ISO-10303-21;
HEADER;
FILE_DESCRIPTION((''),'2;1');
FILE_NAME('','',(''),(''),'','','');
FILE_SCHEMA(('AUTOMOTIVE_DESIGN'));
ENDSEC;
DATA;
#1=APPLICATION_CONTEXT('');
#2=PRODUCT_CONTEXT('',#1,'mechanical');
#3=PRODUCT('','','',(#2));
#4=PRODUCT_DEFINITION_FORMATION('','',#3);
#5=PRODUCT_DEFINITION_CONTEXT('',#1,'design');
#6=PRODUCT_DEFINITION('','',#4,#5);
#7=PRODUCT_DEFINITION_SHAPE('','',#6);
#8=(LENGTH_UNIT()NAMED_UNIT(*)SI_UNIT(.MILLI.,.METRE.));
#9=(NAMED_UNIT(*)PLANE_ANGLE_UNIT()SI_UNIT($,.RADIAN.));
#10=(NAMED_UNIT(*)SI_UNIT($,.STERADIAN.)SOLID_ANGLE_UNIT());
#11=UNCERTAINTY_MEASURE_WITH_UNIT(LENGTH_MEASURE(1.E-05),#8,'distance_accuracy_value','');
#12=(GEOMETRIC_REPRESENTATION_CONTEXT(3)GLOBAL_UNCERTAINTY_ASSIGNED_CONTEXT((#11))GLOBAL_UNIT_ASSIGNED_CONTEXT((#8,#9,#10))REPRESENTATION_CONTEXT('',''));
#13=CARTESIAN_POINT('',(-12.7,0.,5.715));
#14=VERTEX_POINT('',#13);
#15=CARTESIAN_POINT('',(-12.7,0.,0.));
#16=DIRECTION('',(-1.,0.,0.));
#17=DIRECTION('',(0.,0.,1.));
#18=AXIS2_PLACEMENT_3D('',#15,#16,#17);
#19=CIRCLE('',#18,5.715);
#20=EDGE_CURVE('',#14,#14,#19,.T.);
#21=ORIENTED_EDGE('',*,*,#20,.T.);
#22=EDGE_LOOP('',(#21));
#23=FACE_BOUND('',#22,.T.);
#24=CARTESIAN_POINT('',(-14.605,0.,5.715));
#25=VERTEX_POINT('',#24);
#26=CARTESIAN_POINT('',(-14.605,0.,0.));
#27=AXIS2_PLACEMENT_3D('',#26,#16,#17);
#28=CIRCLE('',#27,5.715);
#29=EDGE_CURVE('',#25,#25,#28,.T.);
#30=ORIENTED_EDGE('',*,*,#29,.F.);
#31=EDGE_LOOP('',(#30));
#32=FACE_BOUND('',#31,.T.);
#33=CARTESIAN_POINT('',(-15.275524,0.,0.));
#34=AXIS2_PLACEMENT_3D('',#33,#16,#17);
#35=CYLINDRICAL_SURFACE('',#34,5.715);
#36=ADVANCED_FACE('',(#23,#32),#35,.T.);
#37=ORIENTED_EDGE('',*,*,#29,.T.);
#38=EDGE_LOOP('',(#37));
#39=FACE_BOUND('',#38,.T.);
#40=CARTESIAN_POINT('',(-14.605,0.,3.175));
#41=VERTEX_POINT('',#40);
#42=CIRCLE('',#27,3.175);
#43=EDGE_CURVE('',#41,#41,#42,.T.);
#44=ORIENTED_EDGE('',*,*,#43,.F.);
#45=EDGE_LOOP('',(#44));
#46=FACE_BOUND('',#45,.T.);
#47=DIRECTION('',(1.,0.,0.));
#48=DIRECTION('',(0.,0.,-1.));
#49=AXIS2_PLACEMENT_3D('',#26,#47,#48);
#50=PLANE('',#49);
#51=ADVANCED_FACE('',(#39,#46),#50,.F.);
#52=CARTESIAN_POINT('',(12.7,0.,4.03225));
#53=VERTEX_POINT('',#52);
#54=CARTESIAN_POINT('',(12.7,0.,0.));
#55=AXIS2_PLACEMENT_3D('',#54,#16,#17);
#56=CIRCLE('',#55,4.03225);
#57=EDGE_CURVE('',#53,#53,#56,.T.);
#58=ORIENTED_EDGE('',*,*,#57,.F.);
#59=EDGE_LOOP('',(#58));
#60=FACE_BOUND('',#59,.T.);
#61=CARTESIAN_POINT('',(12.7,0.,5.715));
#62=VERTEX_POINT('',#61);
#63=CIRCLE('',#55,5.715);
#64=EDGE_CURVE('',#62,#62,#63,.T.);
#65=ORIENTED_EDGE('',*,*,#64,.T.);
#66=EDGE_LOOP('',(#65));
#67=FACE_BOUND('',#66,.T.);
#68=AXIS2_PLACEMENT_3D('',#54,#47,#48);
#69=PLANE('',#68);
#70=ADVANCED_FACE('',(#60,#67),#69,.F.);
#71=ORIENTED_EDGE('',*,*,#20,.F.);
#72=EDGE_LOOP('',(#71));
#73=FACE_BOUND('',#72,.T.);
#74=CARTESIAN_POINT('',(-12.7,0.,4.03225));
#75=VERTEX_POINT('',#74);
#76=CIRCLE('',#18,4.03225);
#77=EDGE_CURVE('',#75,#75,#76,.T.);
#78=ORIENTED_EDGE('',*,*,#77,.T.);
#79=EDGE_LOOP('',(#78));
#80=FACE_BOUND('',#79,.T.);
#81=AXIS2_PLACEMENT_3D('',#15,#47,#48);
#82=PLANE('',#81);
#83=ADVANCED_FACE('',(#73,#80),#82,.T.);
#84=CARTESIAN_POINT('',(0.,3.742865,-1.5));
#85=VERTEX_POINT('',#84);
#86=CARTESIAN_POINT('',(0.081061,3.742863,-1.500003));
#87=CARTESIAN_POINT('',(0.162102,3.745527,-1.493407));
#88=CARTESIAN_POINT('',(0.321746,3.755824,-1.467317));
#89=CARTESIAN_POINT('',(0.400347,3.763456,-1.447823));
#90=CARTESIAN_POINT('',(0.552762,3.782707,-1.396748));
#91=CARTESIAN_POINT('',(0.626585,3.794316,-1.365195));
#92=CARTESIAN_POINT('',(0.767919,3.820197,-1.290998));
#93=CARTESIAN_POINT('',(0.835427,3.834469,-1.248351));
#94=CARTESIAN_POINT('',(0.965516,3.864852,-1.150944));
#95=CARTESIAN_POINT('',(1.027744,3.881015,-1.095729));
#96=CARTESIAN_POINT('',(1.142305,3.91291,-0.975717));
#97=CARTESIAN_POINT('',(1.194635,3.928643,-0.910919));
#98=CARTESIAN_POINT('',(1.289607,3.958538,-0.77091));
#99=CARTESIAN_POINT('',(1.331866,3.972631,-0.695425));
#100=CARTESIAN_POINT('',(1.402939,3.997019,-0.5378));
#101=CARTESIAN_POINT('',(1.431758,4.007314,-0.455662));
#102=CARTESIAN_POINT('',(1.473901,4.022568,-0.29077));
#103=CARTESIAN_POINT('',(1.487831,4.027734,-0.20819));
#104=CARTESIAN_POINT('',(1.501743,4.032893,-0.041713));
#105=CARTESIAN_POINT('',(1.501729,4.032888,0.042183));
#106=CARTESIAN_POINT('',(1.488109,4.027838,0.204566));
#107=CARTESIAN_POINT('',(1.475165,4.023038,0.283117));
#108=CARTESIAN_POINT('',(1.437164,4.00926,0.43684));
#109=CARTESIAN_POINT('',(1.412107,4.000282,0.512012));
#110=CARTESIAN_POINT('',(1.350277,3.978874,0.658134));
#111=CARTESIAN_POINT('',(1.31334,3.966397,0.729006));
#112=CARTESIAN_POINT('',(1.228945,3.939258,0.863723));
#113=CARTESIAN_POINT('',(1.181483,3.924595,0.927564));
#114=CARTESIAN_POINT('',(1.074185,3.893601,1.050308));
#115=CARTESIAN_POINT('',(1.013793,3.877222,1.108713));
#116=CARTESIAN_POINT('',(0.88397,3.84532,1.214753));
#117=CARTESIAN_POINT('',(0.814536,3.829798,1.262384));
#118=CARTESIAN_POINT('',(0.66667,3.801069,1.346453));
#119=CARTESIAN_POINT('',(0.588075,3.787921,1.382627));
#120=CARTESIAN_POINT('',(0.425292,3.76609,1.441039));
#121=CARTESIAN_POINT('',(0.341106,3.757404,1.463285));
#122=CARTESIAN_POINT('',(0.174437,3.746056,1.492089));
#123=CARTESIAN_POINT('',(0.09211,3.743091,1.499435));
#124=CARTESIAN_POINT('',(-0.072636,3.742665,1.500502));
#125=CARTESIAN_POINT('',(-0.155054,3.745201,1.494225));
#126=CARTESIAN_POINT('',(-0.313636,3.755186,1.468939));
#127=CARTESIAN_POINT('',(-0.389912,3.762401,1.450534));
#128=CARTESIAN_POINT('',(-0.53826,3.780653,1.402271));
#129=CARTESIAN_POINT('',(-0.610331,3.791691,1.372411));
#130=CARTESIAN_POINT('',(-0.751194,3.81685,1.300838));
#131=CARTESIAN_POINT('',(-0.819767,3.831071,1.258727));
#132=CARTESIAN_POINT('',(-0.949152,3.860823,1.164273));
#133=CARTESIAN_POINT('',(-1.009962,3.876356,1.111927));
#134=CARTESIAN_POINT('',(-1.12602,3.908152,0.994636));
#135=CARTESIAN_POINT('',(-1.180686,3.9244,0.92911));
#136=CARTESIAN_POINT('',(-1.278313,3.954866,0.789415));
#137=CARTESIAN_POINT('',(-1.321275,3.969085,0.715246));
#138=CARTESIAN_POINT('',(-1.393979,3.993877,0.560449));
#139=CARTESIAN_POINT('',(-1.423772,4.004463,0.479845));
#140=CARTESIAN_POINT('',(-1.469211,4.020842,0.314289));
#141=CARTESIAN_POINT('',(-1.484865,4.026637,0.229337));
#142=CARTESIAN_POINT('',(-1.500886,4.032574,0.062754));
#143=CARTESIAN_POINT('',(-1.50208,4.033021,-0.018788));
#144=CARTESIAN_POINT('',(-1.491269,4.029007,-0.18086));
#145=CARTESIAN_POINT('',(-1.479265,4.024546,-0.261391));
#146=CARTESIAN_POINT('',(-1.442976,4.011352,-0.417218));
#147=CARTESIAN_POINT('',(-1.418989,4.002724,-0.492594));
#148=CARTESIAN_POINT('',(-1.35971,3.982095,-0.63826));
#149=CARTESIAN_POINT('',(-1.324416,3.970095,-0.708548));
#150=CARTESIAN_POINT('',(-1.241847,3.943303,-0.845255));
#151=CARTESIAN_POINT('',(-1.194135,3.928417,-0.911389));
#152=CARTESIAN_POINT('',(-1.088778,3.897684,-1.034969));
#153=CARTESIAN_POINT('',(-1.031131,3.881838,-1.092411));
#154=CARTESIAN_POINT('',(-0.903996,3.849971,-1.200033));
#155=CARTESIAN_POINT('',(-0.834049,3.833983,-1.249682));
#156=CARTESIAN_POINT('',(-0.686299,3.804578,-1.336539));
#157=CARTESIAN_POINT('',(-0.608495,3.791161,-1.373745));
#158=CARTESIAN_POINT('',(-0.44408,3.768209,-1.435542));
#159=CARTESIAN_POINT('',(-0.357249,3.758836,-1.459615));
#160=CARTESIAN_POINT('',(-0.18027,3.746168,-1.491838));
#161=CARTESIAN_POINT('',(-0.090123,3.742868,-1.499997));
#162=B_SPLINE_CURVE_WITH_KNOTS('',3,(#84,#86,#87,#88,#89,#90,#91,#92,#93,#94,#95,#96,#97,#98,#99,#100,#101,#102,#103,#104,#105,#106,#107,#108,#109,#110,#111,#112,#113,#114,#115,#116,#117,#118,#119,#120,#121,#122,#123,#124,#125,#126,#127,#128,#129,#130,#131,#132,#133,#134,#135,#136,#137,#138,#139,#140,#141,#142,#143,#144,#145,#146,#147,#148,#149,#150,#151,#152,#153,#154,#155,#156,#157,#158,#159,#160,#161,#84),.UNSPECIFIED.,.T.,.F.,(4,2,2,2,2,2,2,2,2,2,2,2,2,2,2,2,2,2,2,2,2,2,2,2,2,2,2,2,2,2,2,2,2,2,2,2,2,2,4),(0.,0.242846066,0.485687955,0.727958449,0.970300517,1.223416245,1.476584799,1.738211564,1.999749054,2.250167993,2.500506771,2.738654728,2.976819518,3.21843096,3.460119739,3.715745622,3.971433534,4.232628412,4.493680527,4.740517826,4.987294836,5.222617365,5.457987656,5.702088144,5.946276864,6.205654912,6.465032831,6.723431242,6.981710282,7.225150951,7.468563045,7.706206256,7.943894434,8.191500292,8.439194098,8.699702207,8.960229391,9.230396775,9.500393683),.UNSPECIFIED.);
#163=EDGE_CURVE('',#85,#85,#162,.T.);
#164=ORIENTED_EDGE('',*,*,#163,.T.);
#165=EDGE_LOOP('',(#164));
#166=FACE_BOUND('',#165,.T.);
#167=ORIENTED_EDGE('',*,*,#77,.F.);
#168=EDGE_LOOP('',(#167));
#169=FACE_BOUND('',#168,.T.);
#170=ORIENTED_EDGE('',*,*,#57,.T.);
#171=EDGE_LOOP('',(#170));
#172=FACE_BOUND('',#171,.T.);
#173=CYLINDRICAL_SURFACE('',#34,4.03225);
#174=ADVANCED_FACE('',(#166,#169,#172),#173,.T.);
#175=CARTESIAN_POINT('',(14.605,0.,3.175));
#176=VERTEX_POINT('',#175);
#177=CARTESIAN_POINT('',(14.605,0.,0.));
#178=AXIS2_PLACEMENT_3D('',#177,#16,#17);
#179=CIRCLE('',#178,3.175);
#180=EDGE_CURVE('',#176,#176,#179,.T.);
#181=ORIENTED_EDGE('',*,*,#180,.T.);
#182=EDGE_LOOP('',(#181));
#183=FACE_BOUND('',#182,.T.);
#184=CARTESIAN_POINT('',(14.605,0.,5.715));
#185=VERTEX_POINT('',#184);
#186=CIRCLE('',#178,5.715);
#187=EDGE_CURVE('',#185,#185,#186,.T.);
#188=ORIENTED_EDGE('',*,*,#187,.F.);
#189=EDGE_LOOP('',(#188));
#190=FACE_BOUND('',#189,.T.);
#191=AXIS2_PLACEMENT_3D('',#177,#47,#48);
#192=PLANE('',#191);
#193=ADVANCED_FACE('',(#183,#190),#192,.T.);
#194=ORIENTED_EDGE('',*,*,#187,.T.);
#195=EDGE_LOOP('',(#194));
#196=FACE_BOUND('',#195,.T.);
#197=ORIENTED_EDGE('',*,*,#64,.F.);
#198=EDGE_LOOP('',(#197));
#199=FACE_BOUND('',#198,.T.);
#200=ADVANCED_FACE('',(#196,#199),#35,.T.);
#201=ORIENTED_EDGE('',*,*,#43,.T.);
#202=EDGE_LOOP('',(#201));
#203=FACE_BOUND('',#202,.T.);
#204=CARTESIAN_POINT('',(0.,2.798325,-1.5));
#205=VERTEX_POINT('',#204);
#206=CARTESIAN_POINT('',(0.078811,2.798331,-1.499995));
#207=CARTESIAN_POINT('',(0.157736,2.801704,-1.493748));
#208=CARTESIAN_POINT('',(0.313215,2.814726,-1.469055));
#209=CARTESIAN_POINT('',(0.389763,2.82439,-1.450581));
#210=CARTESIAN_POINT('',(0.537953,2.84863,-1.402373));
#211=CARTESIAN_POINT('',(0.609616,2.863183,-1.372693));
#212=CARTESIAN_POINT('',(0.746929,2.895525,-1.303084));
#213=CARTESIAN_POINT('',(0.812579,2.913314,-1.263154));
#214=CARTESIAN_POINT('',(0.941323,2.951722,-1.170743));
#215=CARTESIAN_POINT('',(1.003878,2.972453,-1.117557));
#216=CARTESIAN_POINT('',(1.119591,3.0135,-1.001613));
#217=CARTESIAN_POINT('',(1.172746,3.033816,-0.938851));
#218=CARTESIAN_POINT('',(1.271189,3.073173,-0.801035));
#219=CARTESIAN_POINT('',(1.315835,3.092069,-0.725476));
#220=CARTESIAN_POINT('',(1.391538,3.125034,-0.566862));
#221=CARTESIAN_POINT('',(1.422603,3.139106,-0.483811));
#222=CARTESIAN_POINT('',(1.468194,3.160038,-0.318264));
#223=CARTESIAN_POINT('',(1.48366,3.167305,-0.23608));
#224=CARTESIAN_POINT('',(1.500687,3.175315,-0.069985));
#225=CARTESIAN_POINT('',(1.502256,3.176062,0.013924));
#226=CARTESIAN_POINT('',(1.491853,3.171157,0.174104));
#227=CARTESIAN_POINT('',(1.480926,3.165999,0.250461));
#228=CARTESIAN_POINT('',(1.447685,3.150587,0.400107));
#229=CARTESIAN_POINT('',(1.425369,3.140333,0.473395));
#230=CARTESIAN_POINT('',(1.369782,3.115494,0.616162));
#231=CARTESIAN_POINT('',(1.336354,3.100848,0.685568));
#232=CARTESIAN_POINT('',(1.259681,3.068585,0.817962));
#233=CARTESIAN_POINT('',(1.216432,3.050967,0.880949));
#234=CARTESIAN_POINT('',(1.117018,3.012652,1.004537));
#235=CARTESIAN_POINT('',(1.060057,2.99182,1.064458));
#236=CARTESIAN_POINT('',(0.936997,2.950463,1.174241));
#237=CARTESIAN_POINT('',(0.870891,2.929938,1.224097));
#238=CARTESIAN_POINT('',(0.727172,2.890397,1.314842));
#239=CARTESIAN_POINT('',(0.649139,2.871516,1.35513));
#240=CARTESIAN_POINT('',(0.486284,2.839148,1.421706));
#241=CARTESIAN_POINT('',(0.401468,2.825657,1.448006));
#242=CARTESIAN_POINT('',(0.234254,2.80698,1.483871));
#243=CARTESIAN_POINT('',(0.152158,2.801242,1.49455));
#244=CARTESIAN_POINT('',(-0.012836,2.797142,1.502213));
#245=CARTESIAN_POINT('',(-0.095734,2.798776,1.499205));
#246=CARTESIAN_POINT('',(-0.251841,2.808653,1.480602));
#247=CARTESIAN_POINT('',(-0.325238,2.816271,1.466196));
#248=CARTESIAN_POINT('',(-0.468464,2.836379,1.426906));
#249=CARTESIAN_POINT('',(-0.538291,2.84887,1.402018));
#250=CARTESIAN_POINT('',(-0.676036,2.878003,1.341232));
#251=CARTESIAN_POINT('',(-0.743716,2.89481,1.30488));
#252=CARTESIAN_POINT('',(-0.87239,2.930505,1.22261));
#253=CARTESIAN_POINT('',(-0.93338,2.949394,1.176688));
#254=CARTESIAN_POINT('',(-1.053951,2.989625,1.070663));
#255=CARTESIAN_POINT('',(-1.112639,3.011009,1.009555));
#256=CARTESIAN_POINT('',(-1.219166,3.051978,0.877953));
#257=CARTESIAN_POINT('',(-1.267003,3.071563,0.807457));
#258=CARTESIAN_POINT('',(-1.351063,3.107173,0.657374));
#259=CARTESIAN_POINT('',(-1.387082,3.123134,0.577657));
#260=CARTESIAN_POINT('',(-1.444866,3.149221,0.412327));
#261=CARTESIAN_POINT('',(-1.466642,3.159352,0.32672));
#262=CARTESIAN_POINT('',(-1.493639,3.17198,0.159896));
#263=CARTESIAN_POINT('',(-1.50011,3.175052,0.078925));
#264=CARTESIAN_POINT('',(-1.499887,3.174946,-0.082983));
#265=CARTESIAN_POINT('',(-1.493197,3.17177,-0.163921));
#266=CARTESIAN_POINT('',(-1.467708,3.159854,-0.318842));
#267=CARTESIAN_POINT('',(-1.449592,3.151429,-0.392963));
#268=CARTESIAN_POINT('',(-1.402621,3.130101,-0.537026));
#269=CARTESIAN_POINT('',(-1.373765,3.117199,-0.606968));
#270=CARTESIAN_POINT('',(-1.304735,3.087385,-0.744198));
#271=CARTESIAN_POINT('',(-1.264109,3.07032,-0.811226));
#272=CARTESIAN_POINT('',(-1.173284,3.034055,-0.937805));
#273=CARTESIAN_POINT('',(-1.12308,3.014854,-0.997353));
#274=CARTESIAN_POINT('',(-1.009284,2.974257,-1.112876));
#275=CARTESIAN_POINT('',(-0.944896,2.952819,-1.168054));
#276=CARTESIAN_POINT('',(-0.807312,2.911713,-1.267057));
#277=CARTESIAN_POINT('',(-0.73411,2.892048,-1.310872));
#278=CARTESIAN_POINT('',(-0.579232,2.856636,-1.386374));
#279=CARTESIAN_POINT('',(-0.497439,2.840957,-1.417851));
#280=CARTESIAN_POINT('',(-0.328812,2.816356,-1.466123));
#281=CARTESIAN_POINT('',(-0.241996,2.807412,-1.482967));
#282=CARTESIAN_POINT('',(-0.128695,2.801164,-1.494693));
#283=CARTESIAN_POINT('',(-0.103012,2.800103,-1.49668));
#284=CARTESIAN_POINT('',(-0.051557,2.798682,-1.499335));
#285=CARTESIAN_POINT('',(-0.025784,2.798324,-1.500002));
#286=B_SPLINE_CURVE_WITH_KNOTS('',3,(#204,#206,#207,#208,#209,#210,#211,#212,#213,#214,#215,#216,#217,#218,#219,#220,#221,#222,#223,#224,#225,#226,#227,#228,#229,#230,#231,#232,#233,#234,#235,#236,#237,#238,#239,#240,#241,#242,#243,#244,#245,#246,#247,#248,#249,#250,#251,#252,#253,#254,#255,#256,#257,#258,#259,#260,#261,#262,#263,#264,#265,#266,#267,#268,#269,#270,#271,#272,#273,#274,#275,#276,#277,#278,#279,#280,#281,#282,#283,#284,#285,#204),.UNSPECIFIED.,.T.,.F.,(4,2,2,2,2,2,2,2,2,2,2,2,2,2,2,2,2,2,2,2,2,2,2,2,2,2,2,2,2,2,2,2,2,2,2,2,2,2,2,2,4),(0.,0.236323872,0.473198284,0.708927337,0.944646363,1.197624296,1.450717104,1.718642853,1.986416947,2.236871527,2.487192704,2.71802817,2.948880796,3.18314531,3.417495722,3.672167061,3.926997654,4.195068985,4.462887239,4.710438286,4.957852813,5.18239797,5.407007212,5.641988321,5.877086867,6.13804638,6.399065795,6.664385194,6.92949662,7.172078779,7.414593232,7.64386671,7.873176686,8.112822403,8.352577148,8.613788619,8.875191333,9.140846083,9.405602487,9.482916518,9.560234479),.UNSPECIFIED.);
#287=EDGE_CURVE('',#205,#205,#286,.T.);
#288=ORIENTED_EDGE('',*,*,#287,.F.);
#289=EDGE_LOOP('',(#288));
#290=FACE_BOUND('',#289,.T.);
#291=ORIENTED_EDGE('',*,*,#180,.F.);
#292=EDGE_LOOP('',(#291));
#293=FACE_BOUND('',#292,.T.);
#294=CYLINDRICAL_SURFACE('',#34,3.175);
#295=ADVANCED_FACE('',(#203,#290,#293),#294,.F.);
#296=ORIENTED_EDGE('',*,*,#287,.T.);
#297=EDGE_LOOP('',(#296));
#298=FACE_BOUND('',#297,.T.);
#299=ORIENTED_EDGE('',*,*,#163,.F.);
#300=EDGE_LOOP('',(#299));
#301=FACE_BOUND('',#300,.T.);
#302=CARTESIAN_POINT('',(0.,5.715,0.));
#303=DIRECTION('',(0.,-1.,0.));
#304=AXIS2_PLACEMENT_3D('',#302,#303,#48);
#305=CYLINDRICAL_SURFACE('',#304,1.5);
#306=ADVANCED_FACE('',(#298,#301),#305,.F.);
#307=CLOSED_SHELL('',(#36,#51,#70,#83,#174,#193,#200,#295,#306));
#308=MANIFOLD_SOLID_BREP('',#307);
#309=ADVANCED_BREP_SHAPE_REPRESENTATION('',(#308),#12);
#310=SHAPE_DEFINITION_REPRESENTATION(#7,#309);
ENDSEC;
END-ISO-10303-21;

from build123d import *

# Parameters (mm, degrees)
SKETCH2_R          = 1.5
CUT_EXTRUDE1_DEPTH = 17.692168074


with BuildPart() as part:
    # Sketch1 → Revolve1 (revolve)
    with BuildSketch(Plane.XY):
        Polygon((14.605, 3.175), (14.605, 5.715), (12.7, 5.715), (12.7, 4.03225), (-12.7, 4.03225), (-12.7, 5.715), (-14.605, 5.715), (-14.605, 3.175), align=None)
    revolve(axis=Axis((-15.275524476, 0, 0), (1, 0, 0)))

    # Sketch2 → Cut-Extrude1 (cut, through all)
    with BuildSketch(Plane(origin=(0, 0, 0), x_dir=(1, 0, 0), z_dir=(0, 1, 0))):
        Circle(SKETCH2_R)
    extrude(amount=CUT_EXTRUDE1_DEPTH, mode=Mode.SUBTRACT)


solid = part.part
